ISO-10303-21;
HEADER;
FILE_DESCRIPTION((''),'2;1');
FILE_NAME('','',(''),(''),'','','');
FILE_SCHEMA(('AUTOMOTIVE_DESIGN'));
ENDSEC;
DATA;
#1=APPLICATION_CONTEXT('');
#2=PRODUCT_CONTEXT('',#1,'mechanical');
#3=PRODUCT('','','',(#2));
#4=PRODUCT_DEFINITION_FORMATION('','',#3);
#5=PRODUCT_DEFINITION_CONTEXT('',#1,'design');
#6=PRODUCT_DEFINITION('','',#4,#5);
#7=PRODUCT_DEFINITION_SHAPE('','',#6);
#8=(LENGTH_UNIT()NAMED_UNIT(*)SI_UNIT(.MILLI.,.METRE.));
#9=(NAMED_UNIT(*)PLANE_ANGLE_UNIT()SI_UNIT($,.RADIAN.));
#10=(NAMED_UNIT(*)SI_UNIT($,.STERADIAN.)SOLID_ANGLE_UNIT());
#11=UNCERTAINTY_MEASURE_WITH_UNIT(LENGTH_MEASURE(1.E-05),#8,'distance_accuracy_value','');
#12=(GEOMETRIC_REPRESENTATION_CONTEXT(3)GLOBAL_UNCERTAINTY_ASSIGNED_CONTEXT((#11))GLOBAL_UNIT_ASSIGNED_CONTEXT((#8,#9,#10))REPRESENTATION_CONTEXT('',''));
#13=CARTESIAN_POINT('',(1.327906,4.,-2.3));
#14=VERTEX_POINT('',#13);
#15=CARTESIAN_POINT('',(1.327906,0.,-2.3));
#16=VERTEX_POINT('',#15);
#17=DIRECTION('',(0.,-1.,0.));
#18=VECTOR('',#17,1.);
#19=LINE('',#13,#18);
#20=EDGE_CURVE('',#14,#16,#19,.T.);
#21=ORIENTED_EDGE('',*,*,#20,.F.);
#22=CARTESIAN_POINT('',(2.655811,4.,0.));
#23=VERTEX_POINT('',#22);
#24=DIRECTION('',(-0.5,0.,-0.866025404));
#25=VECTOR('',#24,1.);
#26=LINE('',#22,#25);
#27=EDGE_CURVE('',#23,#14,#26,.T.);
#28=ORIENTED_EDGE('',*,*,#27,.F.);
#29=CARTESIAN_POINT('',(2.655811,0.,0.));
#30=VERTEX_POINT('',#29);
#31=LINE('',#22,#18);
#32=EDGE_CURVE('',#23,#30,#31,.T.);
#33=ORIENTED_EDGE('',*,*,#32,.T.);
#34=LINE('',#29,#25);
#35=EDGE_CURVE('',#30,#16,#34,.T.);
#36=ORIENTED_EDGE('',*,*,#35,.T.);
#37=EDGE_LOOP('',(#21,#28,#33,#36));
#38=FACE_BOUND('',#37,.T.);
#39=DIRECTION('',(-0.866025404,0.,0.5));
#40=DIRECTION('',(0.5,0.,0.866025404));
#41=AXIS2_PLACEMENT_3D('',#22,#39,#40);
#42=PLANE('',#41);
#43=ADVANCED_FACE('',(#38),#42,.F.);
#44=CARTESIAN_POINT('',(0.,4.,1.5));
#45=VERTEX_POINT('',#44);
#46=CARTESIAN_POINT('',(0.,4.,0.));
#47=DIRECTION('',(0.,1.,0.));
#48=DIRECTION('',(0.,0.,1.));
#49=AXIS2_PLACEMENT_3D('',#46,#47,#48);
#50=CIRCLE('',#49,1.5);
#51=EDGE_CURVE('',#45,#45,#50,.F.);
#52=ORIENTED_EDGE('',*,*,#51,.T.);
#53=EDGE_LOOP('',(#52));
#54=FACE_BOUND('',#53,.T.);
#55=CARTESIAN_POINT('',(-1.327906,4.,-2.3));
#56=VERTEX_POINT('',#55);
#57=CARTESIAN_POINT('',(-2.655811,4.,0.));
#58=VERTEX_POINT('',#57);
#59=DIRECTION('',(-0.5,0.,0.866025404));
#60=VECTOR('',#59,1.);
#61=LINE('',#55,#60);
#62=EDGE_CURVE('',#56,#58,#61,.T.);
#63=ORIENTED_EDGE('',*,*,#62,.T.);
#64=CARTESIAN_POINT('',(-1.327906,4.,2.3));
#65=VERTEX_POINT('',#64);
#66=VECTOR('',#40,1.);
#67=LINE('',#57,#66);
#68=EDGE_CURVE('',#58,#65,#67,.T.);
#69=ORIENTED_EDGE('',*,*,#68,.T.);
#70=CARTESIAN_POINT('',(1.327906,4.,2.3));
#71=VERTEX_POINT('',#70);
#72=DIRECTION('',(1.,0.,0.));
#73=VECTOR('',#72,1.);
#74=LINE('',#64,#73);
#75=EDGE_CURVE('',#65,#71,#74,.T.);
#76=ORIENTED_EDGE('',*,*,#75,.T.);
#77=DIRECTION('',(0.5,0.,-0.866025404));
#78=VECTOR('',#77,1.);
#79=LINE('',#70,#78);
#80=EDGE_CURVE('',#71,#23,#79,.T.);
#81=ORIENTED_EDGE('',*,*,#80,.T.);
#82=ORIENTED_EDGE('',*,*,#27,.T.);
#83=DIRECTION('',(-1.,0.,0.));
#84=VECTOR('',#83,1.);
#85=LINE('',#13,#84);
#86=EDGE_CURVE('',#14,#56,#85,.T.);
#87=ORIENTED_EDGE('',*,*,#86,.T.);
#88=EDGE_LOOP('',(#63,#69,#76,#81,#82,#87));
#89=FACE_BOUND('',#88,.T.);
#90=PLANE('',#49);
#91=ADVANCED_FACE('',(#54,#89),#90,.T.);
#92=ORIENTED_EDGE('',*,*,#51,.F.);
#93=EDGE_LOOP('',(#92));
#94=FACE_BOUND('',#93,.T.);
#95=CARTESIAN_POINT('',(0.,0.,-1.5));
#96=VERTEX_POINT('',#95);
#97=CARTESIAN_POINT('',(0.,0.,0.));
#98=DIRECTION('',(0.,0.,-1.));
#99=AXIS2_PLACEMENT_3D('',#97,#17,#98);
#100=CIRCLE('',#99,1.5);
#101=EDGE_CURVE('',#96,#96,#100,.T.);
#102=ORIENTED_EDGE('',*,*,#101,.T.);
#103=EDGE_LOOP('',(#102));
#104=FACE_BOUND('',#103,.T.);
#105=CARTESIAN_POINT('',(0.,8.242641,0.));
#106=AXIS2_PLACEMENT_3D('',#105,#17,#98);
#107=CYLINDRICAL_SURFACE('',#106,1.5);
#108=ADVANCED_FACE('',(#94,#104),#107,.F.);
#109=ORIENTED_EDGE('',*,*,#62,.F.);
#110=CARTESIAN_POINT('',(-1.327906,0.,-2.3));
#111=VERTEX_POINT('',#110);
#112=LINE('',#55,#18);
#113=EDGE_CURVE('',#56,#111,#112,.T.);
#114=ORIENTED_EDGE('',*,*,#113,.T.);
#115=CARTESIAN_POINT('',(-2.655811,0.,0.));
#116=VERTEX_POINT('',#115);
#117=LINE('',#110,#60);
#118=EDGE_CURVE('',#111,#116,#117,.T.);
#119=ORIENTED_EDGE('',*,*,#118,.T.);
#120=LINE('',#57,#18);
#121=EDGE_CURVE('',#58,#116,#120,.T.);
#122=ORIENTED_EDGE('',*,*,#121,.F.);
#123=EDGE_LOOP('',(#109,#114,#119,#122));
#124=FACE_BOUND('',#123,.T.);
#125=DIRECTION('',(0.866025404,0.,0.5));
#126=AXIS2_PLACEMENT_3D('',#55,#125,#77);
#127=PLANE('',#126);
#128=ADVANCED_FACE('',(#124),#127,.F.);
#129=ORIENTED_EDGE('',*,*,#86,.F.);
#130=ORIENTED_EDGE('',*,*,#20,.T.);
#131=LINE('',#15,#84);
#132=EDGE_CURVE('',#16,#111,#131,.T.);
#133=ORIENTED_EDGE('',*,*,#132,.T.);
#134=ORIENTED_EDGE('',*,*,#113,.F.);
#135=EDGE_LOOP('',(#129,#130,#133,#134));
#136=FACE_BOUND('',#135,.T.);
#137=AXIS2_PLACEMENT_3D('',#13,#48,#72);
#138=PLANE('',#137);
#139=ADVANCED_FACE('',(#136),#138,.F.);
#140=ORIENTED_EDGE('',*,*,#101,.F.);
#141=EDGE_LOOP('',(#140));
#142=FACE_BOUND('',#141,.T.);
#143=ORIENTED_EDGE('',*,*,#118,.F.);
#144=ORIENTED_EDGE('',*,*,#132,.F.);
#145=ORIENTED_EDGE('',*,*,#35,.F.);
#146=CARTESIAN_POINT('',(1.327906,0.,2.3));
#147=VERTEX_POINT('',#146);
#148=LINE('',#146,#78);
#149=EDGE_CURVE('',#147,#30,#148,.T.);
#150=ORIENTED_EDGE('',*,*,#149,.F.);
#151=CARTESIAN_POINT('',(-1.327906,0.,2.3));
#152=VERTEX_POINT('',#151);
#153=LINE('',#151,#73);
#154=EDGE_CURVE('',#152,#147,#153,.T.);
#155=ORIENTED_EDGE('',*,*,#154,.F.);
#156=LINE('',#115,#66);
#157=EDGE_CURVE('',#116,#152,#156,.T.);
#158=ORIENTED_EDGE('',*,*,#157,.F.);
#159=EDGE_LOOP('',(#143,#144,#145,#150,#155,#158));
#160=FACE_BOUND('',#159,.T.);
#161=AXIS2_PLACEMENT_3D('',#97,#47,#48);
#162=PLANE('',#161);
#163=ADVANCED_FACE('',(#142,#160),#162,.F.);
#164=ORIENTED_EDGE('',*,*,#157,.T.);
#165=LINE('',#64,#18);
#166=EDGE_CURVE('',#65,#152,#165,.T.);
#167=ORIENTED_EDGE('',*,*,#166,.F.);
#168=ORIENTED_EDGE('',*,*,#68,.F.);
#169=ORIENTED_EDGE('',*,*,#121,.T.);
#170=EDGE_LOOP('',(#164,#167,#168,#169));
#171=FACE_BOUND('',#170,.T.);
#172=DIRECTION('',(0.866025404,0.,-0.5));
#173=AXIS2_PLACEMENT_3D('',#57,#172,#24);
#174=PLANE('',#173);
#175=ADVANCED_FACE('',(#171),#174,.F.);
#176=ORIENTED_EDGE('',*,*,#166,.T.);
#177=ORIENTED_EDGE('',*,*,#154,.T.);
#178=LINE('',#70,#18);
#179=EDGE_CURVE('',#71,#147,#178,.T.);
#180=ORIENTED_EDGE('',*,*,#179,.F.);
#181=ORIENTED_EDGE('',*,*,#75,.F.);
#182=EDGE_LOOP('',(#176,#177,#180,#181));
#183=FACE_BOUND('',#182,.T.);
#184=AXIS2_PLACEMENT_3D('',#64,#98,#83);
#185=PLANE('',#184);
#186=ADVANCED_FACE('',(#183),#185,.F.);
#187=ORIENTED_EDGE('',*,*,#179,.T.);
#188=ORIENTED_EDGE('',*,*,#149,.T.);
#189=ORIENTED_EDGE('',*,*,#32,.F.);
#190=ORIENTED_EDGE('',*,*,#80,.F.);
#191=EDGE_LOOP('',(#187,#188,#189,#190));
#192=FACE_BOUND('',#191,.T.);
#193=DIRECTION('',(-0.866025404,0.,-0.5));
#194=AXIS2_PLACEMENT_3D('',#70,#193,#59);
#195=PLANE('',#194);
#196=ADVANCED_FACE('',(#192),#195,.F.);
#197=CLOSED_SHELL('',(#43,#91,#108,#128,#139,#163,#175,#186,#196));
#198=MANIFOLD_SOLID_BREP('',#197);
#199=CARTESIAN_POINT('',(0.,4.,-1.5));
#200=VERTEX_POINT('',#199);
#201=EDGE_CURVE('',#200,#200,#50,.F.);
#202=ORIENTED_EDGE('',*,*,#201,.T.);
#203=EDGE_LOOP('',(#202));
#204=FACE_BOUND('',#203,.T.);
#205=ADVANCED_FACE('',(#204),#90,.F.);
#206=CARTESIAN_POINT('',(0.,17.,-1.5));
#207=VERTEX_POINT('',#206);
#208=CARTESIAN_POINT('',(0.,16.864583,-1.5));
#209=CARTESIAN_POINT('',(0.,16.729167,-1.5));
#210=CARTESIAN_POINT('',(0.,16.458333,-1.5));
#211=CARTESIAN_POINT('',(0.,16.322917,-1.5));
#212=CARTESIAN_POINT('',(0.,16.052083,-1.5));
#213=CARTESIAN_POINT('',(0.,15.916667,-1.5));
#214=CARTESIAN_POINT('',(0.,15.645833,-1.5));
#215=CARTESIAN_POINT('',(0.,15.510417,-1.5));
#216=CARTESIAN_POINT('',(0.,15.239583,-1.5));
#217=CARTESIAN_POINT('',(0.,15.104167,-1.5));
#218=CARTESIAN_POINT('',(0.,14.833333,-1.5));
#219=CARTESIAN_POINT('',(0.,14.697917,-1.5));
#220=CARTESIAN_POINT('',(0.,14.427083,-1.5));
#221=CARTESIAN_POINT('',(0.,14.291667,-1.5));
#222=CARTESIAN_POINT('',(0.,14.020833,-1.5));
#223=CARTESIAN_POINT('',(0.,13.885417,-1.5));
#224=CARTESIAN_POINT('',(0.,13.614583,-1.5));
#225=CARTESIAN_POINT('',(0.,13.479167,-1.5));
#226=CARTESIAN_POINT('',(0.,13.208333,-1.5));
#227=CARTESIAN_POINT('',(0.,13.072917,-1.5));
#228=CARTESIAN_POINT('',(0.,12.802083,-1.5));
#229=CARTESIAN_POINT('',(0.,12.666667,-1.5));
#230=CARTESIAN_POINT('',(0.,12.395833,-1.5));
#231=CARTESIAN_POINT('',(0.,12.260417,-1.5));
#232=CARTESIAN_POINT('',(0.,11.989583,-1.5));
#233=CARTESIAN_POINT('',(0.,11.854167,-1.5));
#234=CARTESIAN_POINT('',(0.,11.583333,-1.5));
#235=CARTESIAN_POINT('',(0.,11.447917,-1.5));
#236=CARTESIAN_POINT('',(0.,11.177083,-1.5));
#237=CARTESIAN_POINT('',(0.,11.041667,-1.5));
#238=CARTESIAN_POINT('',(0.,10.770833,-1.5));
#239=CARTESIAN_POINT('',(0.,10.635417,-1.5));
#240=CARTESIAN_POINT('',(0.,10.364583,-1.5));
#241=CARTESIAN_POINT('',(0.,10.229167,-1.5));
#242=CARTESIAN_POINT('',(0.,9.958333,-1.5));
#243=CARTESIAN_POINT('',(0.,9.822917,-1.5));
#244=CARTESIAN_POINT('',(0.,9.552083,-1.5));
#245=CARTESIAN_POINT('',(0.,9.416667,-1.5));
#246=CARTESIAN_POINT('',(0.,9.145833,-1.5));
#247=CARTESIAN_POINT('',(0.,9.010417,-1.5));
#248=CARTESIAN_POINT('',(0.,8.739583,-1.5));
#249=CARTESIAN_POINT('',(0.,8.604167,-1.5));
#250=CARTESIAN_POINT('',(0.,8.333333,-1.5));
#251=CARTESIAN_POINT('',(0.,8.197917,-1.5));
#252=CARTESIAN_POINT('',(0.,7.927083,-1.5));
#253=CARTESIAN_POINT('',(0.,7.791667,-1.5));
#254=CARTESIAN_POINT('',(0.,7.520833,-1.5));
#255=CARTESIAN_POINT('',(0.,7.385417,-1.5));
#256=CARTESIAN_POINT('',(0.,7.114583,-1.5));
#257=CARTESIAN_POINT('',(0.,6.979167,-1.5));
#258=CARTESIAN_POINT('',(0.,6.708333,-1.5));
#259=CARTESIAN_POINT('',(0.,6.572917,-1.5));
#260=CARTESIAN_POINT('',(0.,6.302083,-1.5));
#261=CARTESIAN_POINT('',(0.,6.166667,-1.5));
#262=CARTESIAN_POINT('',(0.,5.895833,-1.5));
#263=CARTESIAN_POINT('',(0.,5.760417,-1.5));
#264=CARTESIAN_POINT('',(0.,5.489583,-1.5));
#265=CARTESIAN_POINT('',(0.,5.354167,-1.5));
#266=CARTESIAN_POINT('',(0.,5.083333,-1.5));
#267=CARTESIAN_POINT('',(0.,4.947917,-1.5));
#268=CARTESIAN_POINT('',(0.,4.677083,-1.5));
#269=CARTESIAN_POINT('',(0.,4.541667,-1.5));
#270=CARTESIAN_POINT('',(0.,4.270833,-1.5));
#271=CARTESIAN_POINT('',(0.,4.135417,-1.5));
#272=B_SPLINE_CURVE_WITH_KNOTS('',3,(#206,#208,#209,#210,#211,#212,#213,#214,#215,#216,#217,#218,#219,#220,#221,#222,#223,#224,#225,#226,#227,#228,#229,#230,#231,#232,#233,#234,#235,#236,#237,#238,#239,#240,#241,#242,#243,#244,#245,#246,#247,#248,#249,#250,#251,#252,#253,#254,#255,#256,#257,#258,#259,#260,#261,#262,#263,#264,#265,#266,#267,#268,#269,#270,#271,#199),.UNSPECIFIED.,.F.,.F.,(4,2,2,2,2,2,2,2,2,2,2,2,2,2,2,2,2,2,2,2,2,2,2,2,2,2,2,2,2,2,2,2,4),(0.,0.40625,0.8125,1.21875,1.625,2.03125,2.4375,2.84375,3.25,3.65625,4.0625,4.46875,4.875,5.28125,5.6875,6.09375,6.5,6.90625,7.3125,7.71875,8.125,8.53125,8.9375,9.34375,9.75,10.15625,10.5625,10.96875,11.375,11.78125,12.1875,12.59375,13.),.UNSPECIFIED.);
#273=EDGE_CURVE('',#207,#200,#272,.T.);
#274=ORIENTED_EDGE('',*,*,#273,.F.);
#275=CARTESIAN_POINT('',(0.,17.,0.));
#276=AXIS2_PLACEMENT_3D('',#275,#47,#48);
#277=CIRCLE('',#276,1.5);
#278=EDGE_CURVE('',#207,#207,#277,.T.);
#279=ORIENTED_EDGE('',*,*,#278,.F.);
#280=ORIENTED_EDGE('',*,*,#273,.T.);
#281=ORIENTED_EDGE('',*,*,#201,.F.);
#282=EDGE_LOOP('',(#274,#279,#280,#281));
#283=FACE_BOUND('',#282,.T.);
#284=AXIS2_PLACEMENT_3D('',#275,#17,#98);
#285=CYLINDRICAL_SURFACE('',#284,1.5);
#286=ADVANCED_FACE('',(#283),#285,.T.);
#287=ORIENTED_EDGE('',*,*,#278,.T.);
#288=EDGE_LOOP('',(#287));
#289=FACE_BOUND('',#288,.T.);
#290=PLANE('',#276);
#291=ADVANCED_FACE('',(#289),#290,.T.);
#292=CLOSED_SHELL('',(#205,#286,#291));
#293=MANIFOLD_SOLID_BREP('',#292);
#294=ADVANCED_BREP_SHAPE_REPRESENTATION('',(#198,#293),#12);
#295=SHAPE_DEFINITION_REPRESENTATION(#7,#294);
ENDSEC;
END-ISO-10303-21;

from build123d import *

# Parameters (mm, degrees)
EXTRUDE_1_DEPTH     = 4
SKETCH_3_R          = 1.5
EXTRUDE_2_DEPTH     = 13
SKETCH_4_R          = 1.5
CUT_EXTRUDE_1_DEPTH = 4


with BuildPart() as part:
    # 草图1 → 凸台-拉伸1 (new body)
    with BuildSketch(Plane(origin=(0, 0, 0), x_dir=(1, 0, 0), z_dir=(0, 1, 0))):
        Polygon((-1.327905619, 2.3), (-2.655811238, 0), (-1.327905619, -2.3), (1.327905619, -2.3), (2.655811238, 0), (1.327905619, 2.3), align=None)
    extrude(amount=EXTRUDE_1_DEPTH)

    # 草图3 → 凸台-拉伸2 (add)
    with BuildSketch(Plane(origin=(0, 4, 0), x_dir=(1, 0, 0), z_dir=(0, 1, 0))):
        with Locations(Location((0, 0, 0), (0, 0, 90))):
            Circle(SKETCH_3_R)
    extrude(amount=EXTRUDE_2_DEPTH)

    # 草图4 → 切除-拉伸1 (cut)
    with BuildSketch(Plane.XZ):
        with Locations(Location((0, 0, 0), (0, 0, 270))):
            Circle(SKETCH_4_R)
    extrude(amount=-CUT_EXTRUDE_1_DEPTH, mode=Mode.SUBTRACT)


with BuildPart() as cut_extrude_1_piece_1:
    # of the separate pieces the step leaves, piece 1, a body of its own (cut_extrude_1_pieces)
    add(part.part.solids().sort_by_distance((0, 17, -1.5))[0])


with BuildPart() as cut_extrude_1_piece_2:
    # of the separate pieces the step leaves, piece 2, a body of its own (cut_extrude_1_pieces)
    add(part.part.solids().sort_by_distance((-1.327905619, 0, -2.3))[0])


solid = Compound([cut_extrude_1_piece_1.part, cut_extrude_1_piece_2.part])
